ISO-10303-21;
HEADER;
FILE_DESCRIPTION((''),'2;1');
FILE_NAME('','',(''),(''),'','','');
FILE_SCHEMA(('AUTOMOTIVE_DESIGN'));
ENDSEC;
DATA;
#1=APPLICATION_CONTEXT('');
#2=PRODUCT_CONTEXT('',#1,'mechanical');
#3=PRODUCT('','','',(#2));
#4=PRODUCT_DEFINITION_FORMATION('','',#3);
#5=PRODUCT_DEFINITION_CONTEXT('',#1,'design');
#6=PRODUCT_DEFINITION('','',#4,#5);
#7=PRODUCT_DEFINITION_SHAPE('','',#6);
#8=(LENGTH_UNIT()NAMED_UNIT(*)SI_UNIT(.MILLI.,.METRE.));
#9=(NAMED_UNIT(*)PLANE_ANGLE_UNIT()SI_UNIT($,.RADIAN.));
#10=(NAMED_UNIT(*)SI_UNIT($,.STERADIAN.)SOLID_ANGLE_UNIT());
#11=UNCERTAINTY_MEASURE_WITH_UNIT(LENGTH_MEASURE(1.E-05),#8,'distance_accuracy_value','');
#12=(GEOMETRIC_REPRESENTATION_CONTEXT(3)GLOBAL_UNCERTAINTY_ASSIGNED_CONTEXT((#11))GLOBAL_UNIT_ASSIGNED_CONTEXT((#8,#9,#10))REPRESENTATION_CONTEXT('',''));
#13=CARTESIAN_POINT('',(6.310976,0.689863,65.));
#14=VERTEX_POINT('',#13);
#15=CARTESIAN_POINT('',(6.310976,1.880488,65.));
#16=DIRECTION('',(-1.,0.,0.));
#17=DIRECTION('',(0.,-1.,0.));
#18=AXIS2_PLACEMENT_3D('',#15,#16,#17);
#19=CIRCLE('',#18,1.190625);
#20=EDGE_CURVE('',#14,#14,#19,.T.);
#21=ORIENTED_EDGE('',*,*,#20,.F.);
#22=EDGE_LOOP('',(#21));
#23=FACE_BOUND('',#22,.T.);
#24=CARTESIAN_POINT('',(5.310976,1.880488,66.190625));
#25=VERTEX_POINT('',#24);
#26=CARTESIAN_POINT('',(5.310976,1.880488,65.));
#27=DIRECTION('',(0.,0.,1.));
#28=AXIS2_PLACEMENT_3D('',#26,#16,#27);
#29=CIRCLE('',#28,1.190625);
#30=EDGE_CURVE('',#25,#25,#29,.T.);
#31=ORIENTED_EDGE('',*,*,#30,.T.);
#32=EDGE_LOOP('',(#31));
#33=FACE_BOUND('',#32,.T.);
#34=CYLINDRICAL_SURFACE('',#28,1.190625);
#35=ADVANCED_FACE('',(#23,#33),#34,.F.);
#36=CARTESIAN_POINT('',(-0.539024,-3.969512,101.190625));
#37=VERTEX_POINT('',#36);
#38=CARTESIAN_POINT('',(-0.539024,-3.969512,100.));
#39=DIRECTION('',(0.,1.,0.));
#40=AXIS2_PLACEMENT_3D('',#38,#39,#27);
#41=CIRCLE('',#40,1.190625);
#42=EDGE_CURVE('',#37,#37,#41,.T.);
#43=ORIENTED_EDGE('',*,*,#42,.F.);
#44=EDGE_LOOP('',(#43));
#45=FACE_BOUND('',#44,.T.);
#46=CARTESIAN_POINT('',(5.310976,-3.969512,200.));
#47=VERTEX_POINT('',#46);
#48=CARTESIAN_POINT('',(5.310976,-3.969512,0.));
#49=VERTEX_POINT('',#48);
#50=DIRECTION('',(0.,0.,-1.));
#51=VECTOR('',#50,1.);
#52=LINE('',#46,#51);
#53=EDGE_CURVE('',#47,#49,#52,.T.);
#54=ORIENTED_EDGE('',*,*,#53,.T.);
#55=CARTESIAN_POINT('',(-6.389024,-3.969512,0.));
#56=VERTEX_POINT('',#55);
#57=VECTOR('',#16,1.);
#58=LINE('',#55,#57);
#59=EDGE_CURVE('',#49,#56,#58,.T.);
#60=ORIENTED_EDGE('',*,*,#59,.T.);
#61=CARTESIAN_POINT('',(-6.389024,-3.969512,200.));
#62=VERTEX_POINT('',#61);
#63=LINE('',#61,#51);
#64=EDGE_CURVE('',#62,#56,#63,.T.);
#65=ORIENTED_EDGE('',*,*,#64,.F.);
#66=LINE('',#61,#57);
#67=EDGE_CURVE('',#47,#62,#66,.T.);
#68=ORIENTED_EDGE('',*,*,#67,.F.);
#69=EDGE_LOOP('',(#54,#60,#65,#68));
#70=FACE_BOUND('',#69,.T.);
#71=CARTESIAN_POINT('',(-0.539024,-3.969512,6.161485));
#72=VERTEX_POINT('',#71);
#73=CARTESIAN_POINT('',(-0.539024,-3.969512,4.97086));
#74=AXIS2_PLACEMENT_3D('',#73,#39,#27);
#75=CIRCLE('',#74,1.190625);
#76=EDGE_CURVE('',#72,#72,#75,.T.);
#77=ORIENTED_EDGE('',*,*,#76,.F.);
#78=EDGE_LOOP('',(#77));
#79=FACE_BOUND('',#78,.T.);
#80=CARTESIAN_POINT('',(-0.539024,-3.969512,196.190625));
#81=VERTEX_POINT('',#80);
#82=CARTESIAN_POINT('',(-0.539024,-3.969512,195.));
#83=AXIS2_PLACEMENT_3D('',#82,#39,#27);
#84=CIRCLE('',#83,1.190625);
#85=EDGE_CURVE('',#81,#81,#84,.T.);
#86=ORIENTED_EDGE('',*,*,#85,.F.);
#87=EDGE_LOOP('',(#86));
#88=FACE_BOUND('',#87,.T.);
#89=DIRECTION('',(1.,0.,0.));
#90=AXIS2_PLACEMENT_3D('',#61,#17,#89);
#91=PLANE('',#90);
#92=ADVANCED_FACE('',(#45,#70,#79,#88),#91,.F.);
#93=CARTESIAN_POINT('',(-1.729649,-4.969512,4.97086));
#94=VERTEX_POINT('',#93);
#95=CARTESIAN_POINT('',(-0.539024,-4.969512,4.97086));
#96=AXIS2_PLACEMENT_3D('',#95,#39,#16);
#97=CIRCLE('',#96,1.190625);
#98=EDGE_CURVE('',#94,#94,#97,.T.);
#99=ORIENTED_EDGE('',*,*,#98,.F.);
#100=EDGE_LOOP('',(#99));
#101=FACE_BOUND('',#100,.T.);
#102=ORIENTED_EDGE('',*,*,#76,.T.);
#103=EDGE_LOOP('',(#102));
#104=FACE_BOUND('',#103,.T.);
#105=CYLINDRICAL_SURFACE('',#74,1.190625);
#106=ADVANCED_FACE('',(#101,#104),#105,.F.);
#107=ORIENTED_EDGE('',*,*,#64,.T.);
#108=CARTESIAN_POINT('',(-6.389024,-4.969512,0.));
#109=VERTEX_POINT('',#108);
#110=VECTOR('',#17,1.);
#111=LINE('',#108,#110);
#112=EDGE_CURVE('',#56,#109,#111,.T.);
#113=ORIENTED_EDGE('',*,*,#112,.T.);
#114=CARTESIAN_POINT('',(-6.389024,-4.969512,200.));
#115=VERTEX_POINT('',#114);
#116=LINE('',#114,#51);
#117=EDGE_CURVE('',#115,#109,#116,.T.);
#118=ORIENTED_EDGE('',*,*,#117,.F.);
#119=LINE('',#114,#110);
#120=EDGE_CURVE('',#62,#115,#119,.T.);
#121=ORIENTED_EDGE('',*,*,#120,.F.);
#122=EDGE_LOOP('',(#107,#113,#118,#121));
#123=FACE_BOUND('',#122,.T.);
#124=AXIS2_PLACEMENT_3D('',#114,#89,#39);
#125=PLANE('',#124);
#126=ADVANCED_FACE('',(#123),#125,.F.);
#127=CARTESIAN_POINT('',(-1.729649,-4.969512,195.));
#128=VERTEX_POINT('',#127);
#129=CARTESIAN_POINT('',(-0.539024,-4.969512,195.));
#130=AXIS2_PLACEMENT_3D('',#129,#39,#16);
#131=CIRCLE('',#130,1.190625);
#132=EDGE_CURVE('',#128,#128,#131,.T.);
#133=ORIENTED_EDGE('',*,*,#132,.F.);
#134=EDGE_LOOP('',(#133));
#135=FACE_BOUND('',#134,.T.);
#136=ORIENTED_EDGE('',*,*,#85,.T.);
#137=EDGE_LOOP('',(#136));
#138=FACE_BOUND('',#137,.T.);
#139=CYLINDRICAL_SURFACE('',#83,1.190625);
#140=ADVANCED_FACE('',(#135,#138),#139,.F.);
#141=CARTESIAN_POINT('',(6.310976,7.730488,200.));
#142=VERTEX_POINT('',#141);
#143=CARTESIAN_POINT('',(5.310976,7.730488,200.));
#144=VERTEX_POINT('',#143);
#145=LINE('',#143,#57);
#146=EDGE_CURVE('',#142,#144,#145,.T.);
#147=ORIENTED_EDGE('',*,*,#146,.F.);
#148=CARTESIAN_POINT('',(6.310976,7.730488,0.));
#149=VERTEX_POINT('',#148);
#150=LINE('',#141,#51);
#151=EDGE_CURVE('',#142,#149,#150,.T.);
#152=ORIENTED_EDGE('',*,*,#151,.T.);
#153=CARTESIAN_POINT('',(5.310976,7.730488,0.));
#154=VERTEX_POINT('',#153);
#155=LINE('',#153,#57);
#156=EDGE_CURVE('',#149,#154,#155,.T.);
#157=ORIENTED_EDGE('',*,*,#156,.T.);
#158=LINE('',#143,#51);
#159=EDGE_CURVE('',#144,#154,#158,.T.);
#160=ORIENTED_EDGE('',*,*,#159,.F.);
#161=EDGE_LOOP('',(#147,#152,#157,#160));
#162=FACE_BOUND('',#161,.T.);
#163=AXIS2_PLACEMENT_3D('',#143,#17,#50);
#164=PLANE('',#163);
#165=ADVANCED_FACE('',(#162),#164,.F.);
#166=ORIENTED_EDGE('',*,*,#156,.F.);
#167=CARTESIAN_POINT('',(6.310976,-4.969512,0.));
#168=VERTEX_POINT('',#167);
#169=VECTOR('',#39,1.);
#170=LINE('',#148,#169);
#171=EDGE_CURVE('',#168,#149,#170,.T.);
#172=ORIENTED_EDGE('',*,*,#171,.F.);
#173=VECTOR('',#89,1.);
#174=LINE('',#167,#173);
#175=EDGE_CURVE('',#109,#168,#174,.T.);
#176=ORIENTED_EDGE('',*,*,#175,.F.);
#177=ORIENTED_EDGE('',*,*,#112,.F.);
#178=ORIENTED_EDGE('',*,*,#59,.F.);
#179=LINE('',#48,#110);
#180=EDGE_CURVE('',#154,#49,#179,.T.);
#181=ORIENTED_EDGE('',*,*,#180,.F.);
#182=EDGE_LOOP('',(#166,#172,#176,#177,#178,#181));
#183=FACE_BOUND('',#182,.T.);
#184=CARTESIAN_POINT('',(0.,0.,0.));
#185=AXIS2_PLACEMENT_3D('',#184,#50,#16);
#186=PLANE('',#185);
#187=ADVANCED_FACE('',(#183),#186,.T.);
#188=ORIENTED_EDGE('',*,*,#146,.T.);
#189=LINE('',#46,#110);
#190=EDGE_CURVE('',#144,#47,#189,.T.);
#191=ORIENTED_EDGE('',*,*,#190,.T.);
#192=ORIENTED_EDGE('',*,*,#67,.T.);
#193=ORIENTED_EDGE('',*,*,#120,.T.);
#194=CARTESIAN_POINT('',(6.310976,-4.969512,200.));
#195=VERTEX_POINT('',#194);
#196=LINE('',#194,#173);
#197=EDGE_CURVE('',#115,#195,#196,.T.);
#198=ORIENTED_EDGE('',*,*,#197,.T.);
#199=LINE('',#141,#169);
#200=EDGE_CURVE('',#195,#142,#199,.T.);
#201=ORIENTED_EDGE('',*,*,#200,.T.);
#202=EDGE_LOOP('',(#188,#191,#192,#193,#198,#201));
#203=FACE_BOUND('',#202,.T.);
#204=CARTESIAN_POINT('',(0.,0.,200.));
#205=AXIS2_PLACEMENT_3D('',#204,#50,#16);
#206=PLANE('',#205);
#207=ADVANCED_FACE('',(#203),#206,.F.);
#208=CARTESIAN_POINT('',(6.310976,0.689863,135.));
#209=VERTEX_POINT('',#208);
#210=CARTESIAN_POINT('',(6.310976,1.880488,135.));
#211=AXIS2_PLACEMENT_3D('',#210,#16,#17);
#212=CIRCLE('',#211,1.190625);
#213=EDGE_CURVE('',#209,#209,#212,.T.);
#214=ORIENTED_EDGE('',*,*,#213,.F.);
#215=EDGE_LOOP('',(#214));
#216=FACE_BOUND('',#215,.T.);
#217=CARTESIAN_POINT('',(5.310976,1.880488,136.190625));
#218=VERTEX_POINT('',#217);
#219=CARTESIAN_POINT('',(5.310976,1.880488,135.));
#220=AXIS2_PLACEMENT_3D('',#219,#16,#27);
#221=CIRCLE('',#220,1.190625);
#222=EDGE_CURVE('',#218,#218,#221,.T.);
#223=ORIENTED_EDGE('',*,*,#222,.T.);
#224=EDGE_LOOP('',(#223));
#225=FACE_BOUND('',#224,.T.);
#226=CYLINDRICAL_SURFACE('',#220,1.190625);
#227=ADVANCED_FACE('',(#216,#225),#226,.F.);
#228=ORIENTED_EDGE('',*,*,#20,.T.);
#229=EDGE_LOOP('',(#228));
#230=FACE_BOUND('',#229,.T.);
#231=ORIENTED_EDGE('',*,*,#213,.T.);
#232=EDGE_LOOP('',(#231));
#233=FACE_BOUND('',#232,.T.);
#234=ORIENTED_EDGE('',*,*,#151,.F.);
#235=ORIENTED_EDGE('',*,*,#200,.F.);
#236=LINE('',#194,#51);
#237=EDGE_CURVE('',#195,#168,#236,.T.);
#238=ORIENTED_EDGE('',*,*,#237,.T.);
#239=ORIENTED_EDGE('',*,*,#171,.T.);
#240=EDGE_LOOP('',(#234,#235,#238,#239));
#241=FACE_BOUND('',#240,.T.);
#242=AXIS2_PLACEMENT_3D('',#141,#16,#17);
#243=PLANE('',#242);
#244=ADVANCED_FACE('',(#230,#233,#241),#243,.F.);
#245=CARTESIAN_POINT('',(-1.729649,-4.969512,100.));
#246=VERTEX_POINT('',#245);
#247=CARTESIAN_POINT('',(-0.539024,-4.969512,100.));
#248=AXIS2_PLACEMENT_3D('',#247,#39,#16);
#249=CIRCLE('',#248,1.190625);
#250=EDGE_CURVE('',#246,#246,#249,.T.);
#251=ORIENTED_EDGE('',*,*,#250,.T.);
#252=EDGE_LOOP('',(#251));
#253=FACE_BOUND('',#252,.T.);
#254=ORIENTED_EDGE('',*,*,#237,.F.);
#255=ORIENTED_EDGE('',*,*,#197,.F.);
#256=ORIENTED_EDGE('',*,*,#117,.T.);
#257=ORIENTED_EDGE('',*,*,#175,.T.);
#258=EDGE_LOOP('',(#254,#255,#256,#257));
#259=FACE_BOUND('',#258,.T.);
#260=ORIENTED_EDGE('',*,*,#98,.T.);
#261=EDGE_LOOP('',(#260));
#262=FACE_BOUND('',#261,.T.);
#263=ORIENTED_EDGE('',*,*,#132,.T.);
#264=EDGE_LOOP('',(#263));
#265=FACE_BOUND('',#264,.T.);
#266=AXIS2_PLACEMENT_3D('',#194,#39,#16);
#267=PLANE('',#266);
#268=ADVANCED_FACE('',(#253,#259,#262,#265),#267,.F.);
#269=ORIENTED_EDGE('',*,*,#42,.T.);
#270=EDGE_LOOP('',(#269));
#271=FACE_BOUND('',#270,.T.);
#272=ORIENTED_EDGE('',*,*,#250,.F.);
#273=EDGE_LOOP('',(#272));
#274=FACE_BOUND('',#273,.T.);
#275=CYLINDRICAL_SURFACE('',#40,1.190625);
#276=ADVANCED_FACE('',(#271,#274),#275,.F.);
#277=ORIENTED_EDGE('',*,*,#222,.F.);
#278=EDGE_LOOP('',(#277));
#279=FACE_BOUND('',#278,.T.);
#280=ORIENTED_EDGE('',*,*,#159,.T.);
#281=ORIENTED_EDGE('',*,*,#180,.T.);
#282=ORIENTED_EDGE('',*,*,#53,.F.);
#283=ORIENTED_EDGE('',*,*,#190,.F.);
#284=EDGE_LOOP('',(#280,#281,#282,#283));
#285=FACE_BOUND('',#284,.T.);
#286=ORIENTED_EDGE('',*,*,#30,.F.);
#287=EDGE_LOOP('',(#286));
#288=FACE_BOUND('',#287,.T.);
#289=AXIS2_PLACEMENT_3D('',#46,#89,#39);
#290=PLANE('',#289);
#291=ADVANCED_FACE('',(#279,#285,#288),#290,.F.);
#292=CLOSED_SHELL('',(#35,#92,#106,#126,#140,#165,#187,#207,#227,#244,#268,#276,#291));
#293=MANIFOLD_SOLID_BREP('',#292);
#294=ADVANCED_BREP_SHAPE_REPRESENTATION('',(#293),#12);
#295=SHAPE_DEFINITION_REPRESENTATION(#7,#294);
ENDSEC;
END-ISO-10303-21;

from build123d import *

# Parameters (mm, degrees)
BOSS_EXTRUDE1_DEPTH                 = 200
F_3_32_0_09375_DIAMETER_HOLE1_D     = 2.38125
F_3_32_0_09375_DIAMETER_HOLE1_DEPTH = 5
F_3_32_0_09375_DIAMETER_HOLE1_TIP   = 0.715399675
F_3_32_0_09375_DIAMETER_HOLE2_D     = 2.38125
F_3_32_0_09375_DIAMETER_HOLE2_DEPTH = 5
F_3_32_0_09375_DIAMETER_HOLE2_TIP   = 0.715399675


with BuildPart() as part:
    # Sketch1 → Boss-Extrude1 (new body)
    with BuildSketch(Plane.XY):
        Polygon((-6.38902439, -3.969512195), (5.31097561, -3.969512195), (5.31097561, 7.730487805), (6.31097561, 7.730487805), (6.31097561, -4.969512195), (-6.38902439, -4.969512195), align=None)
    extrude(amount=BOSS_EXTRUDE1_DEPTH)

    # 3/32 (0.09375) Diameter Hole1
    with Locations(Plane(origin=(0, -3.969512195, 0), x_dir=(1, 0, 0), z_dir=(0, 1, 0))):
        with Locations((-0.53902439, -4.970860359), (-0.53902439, -100), (-0.53902439, -195)):
            Hole(F_3_32_0_09375_DIAMETER_HOLE1_D / 2, depth=F_3_32_0_09375_DIAMETER_HOLE1_DEPTH)
            with Locations((0, 0, -(F_3_32_0_09375_DIAMETER_HOLE1_DEPTH + F_3_32_0_09375_DIAMETER_HOLE1_TIP / 2))):  # 118° drill point
                Cone(0, F_3_32_0_09375_DIAMETER_HOLE1_D / 2, F_3_32_0_09375_DIAMETER_HOLE1_TIP, mode=Mode.SUBTRACT)

    # 3/32 (0.09375) Diameter Hole2
    with Locations(Plane.ZY.offset(-5.31097561)):
        with Locations((65, 1.880487805), (135, 1.880487805)):
            Hole(F_3_32_0_09375_DIAMETER_HOLE2_D / 2, depth=F_3_32_0_09375_DIAMETER_HOLE2_DEPTH)
            with Locations((0, 0, -(F_3_32_0_09375_DIAMETER_HOLE2_DEPTH + F_3_32_0_09375_DIAMETER_HOLE2_TIP / 2))):  # 118° drill point
                Cone(0, F_3_32_0_09375_DIAMETER_HOLE2_D / 2, F_3_32_0_09375_DIAMETER_HOLE2_TIP, mode=Mode.SUBTRACT)


solid = part.part
